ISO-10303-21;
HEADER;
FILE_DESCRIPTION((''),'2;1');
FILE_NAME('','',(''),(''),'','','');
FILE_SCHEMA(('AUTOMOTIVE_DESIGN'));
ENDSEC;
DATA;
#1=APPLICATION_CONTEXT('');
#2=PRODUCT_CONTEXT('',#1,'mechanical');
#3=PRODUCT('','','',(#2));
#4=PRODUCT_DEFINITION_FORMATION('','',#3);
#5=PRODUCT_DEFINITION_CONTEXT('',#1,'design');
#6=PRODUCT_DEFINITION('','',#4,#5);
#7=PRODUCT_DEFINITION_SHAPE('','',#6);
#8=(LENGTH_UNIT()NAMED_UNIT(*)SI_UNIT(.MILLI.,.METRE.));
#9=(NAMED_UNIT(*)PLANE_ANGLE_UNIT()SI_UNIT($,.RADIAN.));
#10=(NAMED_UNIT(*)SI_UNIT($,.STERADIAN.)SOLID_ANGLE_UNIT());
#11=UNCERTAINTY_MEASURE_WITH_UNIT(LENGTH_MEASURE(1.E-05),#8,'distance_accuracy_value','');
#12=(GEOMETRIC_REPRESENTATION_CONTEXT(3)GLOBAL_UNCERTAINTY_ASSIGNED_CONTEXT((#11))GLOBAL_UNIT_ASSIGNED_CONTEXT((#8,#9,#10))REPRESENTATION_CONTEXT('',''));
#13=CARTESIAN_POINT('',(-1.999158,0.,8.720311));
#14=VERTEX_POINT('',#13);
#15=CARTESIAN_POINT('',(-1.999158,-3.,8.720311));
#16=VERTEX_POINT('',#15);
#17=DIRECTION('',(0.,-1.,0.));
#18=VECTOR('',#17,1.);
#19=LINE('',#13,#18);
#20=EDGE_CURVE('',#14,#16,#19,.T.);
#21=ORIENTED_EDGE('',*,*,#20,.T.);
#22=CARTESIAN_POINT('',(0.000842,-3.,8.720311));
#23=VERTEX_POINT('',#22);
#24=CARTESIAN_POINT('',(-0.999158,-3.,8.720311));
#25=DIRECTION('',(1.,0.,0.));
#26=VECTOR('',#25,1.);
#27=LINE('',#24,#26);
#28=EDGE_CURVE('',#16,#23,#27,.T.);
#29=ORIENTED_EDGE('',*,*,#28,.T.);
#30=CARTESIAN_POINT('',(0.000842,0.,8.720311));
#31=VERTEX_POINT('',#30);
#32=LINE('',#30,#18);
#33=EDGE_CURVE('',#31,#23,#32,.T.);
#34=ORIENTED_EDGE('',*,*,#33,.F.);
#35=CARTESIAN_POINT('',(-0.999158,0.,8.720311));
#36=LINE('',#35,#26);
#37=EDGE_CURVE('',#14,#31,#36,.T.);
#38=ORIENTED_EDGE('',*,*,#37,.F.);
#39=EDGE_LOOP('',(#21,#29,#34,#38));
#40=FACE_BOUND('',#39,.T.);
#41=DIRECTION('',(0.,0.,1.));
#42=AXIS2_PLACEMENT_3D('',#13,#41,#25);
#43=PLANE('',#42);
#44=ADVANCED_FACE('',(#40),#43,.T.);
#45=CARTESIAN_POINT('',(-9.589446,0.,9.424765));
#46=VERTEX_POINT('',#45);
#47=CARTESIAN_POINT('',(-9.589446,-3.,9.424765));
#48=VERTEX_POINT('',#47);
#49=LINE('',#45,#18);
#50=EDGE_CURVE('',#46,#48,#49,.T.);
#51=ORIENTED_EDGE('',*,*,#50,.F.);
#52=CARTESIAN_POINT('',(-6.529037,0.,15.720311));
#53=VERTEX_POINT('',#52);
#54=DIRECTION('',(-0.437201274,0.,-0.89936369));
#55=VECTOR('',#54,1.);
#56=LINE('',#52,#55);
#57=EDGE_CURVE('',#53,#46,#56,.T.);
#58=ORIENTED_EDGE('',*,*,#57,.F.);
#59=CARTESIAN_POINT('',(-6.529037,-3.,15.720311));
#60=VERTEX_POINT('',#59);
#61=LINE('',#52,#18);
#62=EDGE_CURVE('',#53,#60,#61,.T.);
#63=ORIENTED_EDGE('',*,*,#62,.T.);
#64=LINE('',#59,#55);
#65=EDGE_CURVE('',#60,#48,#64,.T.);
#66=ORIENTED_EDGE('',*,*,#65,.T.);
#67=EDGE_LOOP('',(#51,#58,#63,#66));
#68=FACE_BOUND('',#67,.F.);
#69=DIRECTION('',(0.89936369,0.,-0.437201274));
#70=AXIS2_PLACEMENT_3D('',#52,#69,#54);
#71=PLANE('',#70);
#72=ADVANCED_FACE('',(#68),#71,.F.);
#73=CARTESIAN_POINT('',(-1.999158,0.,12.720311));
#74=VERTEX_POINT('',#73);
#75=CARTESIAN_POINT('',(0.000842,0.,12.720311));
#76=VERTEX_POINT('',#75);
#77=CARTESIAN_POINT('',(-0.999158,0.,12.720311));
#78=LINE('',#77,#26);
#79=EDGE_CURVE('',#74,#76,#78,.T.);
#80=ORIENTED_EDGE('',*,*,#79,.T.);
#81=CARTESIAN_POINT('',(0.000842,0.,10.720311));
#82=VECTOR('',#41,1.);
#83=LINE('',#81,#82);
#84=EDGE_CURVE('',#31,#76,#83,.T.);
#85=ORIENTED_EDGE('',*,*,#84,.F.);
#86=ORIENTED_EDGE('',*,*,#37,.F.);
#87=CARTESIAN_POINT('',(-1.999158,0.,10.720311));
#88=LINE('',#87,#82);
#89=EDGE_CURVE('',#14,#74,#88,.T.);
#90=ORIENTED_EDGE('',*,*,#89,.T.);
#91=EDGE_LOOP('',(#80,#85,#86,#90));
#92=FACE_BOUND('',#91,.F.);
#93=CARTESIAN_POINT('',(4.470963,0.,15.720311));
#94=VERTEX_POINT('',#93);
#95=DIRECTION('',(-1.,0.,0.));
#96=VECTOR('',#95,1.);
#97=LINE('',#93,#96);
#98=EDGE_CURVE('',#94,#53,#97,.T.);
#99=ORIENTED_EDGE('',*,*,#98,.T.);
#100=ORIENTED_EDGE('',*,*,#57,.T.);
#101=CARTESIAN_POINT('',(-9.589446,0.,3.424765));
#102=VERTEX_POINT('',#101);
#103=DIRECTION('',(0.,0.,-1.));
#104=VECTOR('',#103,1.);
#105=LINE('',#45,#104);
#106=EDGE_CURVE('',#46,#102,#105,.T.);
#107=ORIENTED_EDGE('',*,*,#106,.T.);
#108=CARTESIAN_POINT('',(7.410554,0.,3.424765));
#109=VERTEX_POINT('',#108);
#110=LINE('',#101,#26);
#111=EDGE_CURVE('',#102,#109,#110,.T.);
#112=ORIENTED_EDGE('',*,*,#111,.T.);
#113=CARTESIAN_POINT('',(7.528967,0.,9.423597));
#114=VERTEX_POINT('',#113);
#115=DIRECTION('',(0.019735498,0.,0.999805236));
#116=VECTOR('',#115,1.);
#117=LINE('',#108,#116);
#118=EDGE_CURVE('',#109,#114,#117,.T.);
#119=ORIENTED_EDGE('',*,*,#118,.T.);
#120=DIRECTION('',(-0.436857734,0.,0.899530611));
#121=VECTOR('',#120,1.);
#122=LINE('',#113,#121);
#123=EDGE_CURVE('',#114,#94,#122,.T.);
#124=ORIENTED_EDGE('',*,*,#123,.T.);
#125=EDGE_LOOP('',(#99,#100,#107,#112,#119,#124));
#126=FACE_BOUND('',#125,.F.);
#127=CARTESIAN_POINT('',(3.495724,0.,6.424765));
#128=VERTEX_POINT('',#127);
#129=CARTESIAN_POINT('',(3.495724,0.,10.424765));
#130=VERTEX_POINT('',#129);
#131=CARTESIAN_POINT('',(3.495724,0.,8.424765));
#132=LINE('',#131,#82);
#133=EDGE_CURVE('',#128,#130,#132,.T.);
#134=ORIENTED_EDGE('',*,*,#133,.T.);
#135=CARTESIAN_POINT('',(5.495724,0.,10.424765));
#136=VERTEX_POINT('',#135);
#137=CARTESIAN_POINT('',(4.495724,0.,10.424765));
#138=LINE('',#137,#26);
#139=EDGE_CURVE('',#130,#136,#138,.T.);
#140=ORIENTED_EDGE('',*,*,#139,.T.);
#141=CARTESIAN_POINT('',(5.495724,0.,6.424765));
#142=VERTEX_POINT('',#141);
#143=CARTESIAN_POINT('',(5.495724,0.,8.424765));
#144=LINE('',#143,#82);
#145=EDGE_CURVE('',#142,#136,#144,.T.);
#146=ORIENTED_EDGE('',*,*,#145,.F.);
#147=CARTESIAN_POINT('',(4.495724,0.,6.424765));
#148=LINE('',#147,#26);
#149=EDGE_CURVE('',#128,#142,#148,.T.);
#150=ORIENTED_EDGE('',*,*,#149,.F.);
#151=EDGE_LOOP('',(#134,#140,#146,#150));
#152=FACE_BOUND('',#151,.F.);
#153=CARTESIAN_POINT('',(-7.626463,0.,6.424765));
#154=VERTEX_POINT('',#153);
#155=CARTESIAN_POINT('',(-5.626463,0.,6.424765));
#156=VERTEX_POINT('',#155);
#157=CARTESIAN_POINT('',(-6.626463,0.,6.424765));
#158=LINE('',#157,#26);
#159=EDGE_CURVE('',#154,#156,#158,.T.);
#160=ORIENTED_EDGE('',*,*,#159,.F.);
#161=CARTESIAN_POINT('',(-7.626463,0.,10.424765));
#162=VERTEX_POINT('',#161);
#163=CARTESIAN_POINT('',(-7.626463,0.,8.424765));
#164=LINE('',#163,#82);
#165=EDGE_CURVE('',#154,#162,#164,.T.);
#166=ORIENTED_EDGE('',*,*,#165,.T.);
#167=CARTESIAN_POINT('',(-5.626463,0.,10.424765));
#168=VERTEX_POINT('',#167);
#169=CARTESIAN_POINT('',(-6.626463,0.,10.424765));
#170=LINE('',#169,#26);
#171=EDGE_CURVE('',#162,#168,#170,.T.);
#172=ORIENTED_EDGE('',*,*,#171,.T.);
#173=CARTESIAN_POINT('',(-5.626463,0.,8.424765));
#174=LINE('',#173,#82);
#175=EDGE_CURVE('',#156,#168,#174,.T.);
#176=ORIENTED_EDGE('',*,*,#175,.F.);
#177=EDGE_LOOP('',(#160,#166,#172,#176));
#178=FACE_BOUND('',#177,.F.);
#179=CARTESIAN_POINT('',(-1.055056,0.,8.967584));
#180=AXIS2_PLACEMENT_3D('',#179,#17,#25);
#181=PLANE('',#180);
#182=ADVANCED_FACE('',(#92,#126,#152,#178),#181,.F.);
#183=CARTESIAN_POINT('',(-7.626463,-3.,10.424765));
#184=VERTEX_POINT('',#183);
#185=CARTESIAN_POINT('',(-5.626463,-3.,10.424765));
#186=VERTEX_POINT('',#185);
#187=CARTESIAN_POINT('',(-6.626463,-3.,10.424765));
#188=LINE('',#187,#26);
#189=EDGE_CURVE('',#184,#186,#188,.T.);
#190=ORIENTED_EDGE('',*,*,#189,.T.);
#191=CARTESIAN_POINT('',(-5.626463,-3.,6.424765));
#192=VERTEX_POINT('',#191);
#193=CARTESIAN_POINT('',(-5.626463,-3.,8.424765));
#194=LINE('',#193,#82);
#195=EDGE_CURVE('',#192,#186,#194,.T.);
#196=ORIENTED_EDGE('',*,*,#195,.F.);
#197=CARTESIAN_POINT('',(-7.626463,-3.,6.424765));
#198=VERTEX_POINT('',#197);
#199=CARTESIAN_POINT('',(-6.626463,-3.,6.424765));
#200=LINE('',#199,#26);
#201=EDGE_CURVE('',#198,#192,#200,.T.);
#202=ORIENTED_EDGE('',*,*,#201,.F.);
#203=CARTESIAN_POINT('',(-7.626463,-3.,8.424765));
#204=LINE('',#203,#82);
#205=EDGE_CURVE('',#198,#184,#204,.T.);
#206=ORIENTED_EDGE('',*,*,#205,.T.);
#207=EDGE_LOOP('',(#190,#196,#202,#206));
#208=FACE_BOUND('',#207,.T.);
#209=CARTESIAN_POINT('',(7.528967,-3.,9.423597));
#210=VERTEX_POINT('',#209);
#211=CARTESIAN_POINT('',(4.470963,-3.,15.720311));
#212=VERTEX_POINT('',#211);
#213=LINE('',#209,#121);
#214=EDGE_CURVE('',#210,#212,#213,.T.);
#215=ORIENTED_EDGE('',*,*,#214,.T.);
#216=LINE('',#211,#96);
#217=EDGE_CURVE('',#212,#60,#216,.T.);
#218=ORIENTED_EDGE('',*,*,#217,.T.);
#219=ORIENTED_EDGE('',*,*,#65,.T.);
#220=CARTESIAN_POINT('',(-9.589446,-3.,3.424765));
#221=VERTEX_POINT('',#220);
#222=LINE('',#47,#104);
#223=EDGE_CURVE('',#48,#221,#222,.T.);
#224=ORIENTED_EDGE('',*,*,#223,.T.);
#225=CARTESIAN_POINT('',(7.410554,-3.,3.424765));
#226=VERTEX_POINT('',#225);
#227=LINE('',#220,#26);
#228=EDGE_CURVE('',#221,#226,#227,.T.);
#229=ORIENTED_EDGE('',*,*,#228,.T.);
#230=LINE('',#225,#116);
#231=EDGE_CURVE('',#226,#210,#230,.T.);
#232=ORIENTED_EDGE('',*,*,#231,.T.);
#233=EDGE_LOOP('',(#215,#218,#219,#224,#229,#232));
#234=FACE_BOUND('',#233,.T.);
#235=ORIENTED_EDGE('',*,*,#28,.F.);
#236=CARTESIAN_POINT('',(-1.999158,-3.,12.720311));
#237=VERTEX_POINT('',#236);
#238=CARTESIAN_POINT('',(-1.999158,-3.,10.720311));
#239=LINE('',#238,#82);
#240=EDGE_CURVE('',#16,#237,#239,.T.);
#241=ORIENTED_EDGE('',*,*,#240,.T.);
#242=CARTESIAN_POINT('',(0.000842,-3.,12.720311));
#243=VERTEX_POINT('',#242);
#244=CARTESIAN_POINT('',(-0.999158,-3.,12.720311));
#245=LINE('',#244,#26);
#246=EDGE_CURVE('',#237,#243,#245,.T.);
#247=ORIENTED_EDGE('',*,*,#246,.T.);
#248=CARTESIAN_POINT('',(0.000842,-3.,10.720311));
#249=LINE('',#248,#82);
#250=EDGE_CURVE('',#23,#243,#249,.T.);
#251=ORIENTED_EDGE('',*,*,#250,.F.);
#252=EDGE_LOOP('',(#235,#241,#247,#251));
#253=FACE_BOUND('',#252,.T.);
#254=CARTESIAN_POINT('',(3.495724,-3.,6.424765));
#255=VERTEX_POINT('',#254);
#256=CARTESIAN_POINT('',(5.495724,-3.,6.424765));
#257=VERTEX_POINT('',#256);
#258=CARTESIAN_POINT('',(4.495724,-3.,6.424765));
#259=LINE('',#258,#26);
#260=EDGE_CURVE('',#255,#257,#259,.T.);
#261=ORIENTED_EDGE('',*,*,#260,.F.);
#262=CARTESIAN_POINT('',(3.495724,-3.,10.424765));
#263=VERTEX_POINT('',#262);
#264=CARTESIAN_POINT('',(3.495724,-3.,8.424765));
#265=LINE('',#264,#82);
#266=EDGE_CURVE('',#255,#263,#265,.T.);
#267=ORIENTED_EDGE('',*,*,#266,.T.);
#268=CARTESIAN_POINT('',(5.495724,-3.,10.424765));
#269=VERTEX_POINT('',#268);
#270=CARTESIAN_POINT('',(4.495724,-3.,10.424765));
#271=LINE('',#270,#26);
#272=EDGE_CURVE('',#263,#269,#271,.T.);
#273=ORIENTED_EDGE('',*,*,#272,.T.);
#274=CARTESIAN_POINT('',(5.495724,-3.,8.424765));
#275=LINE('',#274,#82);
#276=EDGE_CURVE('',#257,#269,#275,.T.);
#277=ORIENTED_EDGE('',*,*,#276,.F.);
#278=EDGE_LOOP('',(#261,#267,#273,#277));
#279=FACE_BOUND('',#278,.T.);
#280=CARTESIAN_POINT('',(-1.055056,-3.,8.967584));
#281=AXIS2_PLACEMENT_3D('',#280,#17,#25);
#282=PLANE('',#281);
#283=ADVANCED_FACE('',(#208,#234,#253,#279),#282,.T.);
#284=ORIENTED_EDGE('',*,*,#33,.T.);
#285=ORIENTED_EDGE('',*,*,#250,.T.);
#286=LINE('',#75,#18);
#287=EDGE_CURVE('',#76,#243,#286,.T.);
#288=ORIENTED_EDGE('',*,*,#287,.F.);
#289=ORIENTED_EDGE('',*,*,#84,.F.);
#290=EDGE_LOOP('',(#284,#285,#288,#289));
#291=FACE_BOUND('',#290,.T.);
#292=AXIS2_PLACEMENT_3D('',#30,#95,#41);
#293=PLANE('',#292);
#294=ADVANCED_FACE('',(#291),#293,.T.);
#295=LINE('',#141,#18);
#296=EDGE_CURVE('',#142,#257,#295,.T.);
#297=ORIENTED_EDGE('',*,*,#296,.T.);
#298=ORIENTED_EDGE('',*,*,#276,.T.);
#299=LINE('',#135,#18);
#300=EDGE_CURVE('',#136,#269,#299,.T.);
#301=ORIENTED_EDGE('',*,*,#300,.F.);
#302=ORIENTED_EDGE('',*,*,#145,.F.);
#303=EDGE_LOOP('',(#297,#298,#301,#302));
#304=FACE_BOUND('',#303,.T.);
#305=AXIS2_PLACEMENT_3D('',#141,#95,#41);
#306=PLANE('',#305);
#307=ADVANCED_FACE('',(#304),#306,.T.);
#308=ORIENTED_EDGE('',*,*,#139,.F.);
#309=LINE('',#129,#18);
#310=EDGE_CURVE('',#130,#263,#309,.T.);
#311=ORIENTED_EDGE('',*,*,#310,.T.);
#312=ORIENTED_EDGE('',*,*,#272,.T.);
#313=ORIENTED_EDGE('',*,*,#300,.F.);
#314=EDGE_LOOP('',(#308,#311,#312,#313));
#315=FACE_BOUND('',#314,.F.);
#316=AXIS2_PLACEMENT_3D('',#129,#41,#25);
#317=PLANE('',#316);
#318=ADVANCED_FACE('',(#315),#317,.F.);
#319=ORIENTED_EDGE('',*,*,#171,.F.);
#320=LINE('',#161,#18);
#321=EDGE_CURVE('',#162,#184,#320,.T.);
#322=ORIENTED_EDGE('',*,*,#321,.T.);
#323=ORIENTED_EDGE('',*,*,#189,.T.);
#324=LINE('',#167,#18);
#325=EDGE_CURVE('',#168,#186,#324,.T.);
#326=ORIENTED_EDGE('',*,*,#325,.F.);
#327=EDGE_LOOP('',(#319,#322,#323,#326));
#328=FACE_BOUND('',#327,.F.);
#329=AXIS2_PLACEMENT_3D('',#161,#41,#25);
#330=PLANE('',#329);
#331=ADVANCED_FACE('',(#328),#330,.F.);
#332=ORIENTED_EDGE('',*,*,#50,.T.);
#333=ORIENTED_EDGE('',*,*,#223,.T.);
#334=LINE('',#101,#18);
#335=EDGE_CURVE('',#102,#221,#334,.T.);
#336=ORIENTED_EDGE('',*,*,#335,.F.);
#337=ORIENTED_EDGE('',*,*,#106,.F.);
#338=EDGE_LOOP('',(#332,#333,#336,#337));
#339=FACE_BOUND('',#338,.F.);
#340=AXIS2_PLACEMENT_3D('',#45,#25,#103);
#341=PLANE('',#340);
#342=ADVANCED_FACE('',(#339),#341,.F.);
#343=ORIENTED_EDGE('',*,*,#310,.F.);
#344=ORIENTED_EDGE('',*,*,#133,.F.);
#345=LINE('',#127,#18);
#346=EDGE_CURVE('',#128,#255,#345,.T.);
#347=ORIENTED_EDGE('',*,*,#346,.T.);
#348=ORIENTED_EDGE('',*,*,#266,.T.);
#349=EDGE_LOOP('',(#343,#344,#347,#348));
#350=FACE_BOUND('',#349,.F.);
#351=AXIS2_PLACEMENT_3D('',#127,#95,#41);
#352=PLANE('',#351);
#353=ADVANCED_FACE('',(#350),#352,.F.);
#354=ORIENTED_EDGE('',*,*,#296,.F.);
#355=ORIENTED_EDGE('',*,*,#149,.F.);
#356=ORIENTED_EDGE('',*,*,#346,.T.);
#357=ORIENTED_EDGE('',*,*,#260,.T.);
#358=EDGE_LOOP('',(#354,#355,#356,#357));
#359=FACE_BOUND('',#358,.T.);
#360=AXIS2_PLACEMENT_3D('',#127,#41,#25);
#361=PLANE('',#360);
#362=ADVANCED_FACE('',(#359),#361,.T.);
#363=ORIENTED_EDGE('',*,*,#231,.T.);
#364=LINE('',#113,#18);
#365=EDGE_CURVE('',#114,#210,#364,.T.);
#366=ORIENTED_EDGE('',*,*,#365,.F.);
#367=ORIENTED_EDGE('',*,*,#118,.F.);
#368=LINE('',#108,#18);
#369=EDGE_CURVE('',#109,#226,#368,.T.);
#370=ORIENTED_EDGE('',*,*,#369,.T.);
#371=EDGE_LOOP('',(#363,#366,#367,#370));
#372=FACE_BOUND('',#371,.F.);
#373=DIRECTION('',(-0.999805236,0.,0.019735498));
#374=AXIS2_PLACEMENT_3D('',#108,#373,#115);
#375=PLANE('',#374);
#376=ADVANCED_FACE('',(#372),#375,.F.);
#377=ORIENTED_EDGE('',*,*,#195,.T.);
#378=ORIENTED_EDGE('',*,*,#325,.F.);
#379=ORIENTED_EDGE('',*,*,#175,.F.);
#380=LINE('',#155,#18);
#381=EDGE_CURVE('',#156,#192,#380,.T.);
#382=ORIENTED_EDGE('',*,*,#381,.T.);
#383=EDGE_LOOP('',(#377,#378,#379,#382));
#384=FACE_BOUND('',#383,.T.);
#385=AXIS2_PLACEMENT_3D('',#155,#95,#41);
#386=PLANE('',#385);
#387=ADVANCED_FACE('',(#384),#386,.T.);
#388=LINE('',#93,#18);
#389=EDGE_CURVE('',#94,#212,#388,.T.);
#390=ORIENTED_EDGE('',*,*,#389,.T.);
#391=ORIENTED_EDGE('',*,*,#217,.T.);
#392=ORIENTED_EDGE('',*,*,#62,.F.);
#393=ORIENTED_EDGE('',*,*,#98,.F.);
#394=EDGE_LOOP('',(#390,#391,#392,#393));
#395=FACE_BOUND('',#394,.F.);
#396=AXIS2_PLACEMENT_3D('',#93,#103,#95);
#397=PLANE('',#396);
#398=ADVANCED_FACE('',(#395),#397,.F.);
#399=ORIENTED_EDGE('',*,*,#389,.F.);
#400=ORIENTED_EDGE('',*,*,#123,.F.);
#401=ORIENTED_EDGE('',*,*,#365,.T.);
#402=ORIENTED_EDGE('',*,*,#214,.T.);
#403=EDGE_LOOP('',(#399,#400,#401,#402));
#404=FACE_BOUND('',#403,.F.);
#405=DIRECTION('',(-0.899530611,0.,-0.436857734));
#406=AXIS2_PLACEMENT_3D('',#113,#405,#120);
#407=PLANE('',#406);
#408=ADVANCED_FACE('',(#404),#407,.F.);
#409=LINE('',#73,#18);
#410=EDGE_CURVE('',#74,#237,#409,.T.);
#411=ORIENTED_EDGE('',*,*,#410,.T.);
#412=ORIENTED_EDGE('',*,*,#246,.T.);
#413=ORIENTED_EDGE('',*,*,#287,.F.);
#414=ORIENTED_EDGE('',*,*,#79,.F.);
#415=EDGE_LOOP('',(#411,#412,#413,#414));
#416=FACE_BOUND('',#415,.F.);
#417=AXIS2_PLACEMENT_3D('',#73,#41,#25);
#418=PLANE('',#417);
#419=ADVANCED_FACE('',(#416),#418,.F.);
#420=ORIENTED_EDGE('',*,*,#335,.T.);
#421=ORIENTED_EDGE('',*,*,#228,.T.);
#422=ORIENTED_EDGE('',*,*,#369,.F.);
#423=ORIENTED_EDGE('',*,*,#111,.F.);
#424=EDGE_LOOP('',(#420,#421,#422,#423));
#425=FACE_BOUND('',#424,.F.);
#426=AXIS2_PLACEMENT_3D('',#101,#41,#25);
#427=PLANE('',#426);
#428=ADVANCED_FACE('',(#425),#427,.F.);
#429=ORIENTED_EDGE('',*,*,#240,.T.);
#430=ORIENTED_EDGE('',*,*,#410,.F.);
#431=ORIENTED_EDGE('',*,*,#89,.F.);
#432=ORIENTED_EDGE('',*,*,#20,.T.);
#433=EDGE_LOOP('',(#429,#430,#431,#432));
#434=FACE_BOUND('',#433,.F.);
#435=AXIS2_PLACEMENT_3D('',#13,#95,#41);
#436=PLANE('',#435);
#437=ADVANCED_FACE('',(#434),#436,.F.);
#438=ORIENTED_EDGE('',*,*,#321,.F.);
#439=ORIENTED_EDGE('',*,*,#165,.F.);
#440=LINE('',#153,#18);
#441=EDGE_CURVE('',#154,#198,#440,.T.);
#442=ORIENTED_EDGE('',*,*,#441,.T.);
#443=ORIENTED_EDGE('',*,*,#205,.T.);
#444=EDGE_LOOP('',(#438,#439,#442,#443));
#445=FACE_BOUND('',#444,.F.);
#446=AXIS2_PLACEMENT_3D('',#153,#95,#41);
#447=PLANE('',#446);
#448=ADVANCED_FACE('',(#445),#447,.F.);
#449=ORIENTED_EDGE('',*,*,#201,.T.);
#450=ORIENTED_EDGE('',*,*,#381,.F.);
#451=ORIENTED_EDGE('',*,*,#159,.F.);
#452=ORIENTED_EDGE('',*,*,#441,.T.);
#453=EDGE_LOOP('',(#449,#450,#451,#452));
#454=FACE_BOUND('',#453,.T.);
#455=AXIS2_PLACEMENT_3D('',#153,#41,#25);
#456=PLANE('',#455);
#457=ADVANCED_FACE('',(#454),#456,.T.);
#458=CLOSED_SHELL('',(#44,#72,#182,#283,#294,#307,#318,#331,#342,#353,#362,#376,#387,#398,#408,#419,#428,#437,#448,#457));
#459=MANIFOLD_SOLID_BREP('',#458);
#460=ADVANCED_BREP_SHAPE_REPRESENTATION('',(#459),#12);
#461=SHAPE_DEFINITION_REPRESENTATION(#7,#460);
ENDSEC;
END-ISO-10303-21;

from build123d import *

# Parameters (mm, degrees)
F2_DEPTH = 3
F1_W     = 2
F1_H     = 4
F3_DEPTH = 3


with BuildPart() as f2:
    # F0 (on Front) → F2 (new body)
    with BuildSketch(Plane.XZ):
        Polygon((4.470963, 15.720311), (-6.529037, 15.720311), (-9.589446, 9.424765), (-9.589446, 3.424765), (7.410554, 3.424765), (7.528967, 9.423597), align=None)
    extrude(amount=F2_DEPTH)

    # F1 (on Front) → F3 (cut)
    with BuildSketch(Plane.XZ):
        with Locations((4.495724, 8.424765)):
            Rectangle(F1_W, F1_H)
        with Locations((-0.999158, 10.720311)):
            Rectangle(F1_W, F1_H)
        with Locations((-6.626463, 8.424765)):
            Rectangle(F1_W, F1_H)
    extrude(amount=F3_DEPTH, mode=Mode.SUBTRACT)


solid = f2.part
